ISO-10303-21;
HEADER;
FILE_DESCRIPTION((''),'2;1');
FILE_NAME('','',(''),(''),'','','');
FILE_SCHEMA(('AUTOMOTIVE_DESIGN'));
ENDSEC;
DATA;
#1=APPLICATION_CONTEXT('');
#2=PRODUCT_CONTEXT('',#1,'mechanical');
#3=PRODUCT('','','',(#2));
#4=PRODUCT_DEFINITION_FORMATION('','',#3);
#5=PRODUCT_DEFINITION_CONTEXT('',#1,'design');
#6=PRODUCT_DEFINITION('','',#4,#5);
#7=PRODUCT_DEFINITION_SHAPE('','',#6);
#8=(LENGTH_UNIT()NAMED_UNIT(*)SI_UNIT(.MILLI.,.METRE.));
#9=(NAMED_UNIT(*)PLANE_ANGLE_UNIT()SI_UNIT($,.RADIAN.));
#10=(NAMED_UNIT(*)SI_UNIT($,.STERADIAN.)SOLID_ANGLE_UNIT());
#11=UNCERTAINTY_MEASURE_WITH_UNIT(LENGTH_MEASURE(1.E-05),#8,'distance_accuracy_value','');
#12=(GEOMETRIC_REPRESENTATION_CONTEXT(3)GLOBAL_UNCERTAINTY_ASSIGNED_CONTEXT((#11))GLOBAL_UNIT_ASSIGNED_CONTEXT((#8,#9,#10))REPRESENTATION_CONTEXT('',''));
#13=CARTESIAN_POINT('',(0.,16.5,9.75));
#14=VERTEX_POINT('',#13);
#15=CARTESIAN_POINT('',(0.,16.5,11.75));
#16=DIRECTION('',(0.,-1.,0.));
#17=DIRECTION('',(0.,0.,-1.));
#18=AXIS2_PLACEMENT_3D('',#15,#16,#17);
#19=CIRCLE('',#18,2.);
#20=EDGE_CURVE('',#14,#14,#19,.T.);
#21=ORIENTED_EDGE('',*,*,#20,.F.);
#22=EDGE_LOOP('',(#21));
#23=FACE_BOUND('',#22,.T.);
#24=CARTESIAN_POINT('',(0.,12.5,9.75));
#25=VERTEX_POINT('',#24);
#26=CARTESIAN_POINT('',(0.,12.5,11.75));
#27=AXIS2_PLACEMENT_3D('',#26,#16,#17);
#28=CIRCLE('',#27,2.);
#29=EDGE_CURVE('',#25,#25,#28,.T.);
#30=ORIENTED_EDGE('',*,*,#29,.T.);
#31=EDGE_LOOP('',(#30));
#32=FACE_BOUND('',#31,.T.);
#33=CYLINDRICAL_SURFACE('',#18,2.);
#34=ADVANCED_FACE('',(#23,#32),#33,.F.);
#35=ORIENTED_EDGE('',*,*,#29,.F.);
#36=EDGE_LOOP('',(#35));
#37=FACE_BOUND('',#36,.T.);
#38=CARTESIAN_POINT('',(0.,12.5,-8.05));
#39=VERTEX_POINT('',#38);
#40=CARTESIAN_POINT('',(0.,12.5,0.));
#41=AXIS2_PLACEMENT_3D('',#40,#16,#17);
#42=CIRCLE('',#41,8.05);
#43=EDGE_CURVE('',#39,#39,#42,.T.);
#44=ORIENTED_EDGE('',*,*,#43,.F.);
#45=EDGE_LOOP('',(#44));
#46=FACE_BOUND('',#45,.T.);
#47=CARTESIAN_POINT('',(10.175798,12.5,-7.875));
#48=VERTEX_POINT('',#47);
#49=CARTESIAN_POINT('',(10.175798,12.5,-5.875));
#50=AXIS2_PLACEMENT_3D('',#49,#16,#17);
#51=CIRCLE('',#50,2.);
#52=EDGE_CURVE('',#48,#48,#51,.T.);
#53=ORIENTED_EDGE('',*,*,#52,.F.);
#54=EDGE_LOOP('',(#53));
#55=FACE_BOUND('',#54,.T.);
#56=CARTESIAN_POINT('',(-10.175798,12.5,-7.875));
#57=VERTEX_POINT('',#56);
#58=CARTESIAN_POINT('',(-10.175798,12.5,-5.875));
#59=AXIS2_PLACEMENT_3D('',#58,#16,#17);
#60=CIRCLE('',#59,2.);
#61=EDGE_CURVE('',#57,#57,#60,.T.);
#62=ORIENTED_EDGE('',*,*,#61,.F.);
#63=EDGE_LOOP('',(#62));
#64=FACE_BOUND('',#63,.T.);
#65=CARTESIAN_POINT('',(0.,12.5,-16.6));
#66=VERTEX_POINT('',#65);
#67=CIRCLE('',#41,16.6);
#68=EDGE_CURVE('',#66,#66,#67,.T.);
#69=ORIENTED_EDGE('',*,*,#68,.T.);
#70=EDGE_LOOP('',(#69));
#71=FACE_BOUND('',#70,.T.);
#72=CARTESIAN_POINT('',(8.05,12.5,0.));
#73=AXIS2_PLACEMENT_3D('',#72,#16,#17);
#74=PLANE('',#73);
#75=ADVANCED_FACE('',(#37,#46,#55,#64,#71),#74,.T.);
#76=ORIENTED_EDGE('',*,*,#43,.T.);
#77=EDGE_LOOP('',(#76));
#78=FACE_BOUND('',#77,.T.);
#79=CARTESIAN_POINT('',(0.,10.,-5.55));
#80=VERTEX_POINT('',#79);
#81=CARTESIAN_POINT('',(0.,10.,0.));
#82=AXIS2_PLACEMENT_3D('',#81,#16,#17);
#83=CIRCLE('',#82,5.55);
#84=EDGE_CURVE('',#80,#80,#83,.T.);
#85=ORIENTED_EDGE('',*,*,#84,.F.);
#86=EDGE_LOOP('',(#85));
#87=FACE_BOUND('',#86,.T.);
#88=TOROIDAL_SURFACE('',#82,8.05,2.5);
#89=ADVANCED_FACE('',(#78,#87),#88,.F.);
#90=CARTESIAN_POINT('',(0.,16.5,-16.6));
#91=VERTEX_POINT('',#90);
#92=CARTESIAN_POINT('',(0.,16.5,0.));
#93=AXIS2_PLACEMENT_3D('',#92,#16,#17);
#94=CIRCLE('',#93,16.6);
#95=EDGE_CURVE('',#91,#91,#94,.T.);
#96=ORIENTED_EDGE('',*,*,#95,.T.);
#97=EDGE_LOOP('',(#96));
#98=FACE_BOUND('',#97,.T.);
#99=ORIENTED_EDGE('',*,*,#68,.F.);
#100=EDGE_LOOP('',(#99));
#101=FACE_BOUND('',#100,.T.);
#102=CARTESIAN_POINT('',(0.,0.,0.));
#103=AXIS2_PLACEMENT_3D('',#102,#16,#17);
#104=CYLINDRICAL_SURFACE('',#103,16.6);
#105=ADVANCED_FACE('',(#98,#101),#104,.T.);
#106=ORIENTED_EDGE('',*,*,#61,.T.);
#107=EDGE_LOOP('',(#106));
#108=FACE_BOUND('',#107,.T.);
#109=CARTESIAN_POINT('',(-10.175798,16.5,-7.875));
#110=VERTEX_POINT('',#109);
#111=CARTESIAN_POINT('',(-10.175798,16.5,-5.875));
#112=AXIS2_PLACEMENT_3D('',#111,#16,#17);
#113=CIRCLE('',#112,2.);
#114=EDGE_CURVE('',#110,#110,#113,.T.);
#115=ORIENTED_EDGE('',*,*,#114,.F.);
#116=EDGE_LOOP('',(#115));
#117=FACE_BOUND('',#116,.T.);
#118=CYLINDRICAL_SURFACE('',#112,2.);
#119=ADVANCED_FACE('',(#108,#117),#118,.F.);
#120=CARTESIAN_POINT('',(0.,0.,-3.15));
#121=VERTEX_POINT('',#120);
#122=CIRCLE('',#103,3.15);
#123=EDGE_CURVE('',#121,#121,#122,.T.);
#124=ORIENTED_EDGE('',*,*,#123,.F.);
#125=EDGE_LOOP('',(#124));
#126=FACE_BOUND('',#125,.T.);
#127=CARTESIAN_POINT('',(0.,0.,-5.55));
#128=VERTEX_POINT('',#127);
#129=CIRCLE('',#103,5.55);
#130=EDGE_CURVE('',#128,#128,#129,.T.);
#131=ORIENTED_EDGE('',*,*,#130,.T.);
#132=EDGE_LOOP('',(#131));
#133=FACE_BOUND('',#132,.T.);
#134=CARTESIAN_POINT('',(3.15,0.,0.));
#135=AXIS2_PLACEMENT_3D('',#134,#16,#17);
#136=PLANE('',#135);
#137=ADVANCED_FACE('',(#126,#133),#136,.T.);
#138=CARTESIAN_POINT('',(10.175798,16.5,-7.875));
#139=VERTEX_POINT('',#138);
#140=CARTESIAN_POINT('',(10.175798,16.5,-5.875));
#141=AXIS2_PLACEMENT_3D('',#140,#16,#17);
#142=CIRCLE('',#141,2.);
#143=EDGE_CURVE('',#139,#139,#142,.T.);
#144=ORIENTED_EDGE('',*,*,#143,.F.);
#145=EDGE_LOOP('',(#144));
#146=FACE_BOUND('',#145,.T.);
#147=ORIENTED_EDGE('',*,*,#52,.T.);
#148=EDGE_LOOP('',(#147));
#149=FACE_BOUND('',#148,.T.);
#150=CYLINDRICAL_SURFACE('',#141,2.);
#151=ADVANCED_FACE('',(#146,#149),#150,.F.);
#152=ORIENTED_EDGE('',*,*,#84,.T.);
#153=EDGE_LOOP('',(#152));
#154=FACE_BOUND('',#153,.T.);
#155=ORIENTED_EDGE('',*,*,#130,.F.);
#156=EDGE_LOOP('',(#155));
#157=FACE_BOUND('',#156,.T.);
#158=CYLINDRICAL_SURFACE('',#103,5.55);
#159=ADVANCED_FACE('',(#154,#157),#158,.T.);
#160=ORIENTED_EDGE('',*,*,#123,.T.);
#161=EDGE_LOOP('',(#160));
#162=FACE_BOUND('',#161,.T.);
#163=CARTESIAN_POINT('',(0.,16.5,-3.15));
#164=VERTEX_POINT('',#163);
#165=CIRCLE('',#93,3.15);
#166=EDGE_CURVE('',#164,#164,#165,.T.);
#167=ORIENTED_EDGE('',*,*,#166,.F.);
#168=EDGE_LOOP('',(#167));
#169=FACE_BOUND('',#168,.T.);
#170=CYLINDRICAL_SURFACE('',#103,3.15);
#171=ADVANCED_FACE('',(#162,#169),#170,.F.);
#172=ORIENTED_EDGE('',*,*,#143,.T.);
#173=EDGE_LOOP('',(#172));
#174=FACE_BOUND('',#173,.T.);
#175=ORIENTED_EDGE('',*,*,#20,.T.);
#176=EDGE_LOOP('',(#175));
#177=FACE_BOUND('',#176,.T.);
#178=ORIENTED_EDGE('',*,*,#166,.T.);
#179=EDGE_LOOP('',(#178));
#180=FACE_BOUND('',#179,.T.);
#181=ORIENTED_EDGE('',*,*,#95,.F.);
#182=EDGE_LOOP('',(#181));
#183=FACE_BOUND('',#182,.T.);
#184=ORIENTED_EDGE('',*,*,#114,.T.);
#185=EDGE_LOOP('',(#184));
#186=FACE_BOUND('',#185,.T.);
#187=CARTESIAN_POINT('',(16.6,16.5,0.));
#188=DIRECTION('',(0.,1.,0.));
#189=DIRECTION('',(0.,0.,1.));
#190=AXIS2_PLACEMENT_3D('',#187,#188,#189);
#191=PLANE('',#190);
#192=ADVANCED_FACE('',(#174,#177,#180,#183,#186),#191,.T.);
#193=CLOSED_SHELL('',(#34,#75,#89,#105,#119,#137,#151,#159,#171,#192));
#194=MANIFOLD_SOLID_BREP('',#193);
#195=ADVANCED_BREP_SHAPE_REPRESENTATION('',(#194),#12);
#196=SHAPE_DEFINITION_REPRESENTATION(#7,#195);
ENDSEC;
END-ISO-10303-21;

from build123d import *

# Parameters (mm, degrees)
ESQUISSE2_R             = 2
ENL_V_MAT_EXTRU_1_DEPTH = 5


with BuildPart() as part:
    # Esquisse1 → Révolution1 (revolve)
    with BuildSketch(Plane.XY):
        with BuildLine():
            Line((16.6, 16.5), (3.15, 16.5))
            Line((3.15, 16.5), (3.15, 0))
            Line((3.15, 0), (5.55, 0))
            Line((5.55, 0), (5.55, 10))
            ThreePointArc((5.55, 10), (6.282233047, 11.767766953), (8.05, 12.5))
            Line((8.05, 12.5), (16.6, 12.5))
            Line((16.6, 12.5), (16.6, 16.5))
        make_face()
    revolve(axis=Axis((0, 0, 0), (0, 1, 0)))

    # Esquisse2 → Enlèv. mat.-Extru.1 (cut, through all)
    with BuildSketch(Plane.XZ.offset(-12.5)):
        with Locations((0, 11.75)):
            Circle(ESQUISSE2_R)
        with Locations((10.175798494, -5.875)):
            Circle(ESQUISSE2_R)
        with Locations((-10.175798494, -5.875)):
            Circle(ESQUISSE2_R)
    extrude(amount=-ENL_V_MAT_EXTRU_1_DEPTH, mode=Mode.SUBTRACT)


solid = part.part
